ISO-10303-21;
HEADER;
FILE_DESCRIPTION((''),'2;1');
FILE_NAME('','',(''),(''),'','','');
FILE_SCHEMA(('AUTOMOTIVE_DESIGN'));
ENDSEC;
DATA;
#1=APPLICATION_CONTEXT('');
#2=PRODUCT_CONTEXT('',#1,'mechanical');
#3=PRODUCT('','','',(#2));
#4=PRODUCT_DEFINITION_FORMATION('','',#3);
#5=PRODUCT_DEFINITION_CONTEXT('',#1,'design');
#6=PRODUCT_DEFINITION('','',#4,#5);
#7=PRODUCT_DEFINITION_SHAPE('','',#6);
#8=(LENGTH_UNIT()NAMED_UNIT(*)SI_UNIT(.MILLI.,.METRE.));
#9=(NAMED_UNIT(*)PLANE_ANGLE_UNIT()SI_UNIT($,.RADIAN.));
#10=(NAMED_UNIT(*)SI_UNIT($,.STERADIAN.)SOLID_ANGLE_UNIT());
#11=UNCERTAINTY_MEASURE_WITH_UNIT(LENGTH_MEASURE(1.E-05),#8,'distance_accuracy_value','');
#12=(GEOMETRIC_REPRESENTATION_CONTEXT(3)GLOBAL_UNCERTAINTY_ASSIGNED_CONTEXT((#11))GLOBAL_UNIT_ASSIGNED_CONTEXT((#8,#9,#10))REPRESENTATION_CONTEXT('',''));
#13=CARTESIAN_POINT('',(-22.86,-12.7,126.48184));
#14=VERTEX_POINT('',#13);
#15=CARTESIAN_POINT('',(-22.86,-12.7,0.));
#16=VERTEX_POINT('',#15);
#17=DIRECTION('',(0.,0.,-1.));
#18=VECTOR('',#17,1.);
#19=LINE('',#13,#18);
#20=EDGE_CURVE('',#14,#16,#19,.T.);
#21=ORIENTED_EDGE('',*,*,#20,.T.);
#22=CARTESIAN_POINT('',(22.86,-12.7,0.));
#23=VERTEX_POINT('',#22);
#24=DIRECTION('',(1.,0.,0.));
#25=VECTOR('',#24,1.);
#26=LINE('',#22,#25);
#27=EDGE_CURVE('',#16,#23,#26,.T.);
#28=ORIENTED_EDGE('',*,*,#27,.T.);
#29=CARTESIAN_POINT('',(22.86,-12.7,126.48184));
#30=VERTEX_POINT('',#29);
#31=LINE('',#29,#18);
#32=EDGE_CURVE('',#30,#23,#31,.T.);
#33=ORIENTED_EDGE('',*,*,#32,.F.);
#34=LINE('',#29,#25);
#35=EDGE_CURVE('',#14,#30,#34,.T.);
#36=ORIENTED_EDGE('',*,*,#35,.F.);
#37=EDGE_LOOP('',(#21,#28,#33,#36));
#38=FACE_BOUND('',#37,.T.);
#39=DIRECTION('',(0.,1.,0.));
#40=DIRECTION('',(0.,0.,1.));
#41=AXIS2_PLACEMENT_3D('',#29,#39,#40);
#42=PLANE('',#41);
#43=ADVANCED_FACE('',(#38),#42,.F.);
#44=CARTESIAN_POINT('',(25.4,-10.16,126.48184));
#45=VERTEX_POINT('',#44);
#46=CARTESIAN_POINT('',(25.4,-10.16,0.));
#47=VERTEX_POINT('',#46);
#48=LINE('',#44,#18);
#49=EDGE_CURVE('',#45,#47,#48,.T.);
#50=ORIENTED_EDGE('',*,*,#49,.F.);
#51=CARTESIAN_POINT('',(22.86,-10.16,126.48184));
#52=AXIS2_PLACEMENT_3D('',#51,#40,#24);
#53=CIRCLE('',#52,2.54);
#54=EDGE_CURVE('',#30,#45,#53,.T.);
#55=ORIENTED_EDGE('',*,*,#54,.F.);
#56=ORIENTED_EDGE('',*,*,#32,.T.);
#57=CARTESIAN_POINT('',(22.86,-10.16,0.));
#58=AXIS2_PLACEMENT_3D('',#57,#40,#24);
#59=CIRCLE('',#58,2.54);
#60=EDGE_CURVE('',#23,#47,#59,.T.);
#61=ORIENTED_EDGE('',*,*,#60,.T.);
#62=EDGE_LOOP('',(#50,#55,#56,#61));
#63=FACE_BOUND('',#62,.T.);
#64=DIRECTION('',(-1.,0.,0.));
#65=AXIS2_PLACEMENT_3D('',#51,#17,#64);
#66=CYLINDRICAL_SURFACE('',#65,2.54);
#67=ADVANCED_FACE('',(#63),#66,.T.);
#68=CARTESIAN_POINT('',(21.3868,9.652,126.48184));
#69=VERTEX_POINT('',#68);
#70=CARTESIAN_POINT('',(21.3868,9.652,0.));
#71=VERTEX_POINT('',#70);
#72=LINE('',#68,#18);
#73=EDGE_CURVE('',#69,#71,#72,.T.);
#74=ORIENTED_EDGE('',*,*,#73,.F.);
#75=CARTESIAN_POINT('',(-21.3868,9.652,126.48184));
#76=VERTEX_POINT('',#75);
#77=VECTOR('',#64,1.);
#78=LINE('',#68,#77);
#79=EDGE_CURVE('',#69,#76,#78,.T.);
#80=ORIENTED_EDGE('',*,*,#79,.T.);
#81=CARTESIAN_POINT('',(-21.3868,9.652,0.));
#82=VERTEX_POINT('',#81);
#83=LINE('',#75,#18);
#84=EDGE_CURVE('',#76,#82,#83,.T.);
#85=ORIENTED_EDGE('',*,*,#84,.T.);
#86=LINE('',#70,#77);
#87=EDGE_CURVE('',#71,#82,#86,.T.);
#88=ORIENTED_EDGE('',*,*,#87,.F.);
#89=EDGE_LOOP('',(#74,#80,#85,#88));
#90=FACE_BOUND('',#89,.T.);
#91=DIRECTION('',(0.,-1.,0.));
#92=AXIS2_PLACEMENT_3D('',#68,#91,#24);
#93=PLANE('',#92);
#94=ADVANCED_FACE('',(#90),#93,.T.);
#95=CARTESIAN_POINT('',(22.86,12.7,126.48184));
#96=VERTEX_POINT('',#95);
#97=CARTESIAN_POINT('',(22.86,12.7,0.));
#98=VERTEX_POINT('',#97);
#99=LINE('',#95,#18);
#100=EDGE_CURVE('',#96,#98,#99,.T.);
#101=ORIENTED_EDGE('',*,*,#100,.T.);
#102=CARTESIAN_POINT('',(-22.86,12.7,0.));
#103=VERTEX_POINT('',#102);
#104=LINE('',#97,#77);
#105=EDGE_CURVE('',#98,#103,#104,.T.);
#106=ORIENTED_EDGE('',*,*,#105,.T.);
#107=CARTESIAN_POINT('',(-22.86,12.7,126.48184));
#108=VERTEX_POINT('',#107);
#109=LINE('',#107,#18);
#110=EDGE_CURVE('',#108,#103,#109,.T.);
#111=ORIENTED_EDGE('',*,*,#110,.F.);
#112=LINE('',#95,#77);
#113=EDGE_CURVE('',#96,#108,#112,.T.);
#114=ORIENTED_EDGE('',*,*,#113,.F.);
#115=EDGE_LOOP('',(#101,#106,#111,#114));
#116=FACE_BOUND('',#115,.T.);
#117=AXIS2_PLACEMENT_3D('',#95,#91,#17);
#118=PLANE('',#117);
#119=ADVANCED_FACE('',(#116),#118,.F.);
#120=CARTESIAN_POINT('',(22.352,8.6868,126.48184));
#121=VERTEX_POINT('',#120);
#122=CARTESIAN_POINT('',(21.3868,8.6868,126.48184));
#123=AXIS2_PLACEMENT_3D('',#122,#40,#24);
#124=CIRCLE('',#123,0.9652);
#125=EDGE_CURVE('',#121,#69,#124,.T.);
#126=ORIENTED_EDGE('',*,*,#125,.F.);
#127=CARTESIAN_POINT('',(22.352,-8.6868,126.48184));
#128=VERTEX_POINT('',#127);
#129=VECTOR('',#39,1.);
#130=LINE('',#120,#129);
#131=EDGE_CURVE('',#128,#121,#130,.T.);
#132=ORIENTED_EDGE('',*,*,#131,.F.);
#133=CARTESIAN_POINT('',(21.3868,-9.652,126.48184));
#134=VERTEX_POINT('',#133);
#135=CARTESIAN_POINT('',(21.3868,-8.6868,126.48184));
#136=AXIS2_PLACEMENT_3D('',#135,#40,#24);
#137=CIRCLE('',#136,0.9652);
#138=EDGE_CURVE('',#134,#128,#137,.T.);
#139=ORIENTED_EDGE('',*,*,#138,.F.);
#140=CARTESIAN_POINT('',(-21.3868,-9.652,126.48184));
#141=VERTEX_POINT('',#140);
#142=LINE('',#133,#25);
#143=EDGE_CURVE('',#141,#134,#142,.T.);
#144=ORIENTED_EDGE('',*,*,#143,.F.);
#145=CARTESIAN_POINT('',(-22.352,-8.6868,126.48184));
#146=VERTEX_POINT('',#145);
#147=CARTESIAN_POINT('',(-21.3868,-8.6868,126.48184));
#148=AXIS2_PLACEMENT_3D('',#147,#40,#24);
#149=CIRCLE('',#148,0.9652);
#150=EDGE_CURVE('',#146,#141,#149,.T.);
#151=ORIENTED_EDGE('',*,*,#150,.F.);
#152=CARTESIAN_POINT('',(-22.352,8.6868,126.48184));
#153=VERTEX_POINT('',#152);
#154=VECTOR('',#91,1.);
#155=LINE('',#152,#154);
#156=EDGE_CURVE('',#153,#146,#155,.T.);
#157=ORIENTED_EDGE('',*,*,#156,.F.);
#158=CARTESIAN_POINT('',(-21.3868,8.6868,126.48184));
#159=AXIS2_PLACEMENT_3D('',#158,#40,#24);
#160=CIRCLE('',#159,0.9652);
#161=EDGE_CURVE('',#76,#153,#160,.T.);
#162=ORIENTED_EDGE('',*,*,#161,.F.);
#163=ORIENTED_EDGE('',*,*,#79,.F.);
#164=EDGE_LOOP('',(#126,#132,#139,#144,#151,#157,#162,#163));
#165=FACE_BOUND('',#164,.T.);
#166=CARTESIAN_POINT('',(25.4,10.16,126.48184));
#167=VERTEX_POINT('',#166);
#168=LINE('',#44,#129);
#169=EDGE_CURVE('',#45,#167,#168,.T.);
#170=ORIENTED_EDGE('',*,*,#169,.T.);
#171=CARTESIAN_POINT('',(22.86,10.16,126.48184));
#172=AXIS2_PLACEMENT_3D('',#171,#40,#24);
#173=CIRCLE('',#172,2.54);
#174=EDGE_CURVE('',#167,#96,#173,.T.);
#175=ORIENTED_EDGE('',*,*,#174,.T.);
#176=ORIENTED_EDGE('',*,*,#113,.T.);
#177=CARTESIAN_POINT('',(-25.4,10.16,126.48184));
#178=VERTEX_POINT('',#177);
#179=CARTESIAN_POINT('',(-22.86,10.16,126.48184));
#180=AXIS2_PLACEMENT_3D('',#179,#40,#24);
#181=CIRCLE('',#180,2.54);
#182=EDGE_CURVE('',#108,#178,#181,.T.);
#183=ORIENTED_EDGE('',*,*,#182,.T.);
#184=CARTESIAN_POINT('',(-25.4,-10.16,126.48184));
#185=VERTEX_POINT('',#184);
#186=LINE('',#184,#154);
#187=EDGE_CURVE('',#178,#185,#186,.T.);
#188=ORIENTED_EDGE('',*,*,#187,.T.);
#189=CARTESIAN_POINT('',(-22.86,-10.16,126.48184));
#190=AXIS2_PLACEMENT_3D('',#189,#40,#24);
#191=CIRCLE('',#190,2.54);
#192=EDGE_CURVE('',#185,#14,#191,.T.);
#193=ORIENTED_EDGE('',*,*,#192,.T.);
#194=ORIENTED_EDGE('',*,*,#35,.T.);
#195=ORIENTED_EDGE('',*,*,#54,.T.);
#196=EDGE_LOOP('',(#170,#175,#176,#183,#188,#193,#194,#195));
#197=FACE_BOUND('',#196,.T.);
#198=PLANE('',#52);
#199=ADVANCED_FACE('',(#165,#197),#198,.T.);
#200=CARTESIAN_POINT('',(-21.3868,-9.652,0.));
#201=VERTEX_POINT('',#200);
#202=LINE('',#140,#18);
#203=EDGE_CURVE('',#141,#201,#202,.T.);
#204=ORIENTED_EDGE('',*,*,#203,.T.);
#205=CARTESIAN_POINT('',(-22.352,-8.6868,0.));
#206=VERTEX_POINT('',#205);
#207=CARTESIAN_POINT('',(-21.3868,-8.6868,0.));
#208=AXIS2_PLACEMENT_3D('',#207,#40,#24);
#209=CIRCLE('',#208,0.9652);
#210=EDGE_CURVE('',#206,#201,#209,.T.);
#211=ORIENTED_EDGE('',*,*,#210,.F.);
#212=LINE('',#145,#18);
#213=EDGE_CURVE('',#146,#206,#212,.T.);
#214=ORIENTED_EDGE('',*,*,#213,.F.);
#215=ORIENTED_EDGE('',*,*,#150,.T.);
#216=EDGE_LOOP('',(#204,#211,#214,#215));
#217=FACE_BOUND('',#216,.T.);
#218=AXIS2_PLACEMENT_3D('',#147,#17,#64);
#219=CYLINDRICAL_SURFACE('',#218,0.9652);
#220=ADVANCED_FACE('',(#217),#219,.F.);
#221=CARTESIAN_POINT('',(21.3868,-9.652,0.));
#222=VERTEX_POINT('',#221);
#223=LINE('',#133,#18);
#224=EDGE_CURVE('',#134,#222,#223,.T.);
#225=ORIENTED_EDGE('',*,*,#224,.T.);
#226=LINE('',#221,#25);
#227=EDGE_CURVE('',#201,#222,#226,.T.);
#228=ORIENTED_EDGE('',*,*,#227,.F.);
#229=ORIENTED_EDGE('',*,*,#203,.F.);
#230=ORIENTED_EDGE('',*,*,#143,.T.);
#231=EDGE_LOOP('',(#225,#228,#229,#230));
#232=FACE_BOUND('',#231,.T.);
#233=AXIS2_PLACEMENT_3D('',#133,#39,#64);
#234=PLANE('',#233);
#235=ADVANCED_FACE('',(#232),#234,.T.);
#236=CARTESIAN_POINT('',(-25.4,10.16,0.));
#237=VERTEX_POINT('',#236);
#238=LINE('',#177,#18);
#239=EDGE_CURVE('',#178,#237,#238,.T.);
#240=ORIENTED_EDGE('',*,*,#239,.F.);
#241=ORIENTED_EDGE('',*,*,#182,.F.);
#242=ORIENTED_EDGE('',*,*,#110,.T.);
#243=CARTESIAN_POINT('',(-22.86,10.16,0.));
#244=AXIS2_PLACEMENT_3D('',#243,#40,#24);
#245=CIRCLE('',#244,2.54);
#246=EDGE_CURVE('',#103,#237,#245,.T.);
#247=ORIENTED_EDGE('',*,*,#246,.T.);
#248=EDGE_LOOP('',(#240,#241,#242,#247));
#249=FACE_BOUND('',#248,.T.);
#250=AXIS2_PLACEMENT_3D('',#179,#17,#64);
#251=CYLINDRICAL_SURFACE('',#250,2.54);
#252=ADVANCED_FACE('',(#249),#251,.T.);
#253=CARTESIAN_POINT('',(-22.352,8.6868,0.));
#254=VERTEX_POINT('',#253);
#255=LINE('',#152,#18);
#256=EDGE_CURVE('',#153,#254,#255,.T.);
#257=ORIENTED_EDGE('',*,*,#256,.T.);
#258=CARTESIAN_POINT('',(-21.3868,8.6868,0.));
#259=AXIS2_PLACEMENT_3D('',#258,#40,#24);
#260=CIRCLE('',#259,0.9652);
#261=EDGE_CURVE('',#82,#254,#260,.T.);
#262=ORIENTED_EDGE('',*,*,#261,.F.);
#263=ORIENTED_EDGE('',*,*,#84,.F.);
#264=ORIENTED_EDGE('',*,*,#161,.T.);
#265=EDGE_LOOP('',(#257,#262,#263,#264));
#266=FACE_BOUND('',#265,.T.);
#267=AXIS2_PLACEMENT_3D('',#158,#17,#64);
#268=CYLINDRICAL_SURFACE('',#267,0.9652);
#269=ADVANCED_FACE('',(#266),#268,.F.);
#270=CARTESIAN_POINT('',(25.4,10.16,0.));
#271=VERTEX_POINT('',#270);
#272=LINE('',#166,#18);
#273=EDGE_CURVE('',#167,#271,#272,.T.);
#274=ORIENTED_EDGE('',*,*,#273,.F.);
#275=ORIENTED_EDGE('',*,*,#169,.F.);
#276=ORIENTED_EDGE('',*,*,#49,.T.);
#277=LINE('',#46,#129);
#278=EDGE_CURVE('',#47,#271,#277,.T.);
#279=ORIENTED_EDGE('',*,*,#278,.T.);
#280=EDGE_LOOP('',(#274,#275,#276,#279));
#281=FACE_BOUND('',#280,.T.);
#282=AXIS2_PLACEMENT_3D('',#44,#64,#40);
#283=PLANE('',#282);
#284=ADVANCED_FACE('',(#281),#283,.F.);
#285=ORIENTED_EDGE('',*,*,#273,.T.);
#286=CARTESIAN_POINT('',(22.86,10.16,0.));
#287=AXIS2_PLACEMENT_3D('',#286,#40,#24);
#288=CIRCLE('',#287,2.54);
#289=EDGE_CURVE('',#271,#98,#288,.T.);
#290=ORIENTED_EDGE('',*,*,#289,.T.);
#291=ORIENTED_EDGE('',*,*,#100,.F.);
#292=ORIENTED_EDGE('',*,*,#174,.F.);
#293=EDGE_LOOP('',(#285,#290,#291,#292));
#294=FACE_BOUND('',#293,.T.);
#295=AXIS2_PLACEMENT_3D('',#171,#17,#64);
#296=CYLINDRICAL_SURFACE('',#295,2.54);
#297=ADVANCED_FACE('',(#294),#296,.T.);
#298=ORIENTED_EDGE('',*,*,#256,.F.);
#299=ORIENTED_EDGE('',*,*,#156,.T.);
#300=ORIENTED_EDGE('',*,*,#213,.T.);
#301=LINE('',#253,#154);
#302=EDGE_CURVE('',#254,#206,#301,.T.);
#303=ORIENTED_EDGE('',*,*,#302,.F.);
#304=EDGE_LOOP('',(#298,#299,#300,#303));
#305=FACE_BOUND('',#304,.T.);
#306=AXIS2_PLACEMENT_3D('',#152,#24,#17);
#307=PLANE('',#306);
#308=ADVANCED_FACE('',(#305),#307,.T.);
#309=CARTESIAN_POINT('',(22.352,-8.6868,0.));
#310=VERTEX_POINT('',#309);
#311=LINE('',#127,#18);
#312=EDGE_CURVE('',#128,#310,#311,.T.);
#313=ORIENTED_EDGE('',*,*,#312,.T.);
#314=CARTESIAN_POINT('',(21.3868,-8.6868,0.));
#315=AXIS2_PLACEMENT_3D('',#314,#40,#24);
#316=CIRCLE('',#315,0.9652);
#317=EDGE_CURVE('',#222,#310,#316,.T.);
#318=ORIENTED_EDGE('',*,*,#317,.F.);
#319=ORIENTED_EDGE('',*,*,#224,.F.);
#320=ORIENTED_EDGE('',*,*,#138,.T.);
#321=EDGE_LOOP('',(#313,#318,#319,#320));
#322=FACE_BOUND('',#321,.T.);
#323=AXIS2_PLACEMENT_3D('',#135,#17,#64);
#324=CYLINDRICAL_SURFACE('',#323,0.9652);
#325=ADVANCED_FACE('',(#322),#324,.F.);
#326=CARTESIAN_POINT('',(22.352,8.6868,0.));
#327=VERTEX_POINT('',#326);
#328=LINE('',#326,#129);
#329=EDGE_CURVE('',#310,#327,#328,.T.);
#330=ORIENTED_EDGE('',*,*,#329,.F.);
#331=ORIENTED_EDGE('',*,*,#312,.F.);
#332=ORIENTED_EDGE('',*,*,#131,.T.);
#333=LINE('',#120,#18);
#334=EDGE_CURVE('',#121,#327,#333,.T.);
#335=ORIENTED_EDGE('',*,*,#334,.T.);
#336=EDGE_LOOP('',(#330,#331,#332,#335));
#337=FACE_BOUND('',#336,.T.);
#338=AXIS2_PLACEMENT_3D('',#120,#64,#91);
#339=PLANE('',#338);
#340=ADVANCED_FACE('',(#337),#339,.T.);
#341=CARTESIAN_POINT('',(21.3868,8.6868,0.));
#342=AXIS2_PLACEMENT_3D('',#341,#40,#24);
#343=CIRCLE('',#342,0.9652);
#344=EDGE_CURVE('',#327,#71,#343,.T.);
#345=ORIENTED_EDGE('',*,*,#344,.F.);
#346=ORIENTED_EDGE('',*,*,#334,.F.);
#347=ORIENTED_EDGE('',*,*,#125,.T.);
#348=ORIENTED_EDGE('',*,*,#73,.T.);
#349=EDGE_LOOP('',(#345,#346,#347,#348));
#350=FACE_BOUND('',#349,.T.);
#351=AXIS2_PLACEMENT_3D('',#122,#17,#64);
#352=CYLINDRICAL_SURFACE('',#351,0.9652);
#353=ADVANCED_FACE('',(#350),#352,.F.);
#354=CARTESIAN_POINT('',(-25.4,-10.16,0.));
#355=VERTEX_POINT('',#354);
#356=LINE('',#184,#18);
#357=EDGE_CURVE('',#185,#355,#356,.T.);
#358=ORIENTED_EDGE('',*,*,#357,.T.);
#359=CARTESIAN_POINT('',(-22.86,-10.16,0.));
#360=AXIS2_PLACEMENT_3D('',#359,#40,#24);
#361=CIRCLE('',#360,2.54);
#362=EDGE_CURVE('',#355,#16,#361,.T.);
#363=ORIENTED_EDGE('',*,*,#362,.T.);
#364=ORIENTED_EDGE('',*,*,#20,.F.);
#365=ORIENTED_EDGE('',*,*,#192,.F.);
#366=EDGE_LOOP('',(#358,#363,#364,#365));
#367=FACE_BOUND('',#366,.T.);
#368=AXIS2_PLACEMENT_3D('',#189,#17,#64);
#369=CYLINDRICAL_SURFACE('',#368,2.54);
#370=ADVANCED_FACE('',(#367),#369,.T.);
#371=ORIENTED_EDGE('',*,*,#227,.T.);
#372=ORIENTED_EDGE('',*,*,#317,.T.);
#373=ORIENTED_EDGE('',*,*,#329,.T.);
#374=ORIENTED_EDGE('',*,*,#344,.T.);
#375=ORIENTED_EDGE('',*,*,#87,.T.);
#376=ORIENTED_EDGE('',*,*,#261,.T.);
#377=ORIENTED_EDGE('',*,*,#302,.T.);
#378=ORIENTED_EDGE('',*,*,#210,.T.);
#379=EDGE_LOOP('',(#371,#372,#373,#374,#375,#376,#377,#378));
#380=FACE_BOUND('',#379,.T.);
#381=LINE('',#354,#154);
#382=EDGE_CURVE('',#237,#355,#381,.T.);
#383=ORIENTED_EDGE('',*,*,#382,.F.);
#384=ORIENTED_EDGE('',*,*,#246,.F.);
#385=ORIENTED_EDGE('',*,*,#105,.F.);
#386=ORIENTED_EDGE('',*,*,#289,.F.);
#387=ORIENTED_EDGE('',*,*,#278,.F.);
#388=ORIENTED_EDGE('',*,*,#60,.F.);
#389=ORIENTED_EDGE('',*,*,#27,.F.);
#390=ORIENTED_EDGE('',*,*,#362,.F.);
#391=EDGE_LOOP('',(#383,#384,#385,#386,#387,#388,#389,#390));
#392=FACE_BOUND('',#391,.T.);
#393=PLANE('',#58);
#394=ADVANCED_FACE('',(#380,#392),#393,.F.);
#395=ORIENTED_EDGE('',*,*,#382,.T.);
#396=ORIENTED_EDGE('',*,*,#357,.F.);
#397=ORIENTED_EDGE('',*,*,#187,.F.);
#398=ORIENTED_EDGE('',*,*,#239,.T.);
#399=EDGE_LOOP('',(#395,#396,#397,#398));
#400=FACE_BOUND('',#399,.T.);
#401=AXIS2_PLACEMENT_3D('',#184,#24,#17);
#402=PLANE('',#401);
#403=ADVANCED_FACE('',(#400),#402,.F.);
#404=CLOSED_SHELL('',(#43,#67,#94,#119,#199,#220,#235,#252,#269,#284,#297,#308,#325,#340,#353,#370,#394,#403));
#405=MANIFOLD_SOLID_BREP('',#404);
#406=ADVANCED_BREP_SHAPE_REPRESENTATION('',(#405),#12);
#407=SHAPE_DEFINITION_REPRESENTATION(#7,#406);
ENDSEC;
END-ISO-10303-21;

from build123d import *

# Parameters (mm, degrees)
BOSS_EXTRUDE1_DEPTH = 126.48184


with BuildPart() as part:
    # Sketch4 → Boss-Extrude1 (new body)
    with BuildSketch(Plane.XY):
        with BuildLine():
            Line((25.4, -10.16), (25.4, 10.16))
            ThreePointArc((25.4, 10.16), (24.656051224, 11.956051224), (22.86, 12.7))
            Line((22.86, 12.7), (-22.86, 12.7))
            ThreePointArc((-22.86, 12.7), (-24.656051224, 11.956051224), (-25.4, 10.16))
            Line((-25.4, 10.16), (-25.4, -10.16))
            ThreePointArc((-25.4, -10.16), (-24.656051224, -11.956051224), (-22.86, -12.7))
            Line((-22.86, -12.7), (22.86, -12.7))
            ThreePointArc((22.86, -12.7), (24.656051224, -11.956051224), (25.4, -10.16))
        make_face()
        with BuildLine():
            Line((22.352, 8.6868), (22.352, -8.6868))
            ThreePointArc((22.352, -8.6868), (22.069299465, -9.369299465), (21.3868, -9.652))
            Line((21.3868, -9.652), (-21.3868, -9.652))
            ThreePointArc((-21.3868, -9.652), (-22.069299465, -9.369299465), (-22.352, -8.6868))
            Line((-22.352, -8.6868), (-22.352, 8.6868))
            ThreePointArc((-22.352, 8.6868), (-22.069299465, 9.369299465), (-21.3868, 9.652))
            Line((-21.3868, 9.652), (21.3868, 9.652))
            ThreePointArc((21.3868, 9.652), (22.069299465, 9.369299465), (22.352, 8.6868))
        make_face(mode=Mode.SUBTRACT)
    extrude(amount=BOSS_EXTRUDE1_DEPTH)


solid = part.part
